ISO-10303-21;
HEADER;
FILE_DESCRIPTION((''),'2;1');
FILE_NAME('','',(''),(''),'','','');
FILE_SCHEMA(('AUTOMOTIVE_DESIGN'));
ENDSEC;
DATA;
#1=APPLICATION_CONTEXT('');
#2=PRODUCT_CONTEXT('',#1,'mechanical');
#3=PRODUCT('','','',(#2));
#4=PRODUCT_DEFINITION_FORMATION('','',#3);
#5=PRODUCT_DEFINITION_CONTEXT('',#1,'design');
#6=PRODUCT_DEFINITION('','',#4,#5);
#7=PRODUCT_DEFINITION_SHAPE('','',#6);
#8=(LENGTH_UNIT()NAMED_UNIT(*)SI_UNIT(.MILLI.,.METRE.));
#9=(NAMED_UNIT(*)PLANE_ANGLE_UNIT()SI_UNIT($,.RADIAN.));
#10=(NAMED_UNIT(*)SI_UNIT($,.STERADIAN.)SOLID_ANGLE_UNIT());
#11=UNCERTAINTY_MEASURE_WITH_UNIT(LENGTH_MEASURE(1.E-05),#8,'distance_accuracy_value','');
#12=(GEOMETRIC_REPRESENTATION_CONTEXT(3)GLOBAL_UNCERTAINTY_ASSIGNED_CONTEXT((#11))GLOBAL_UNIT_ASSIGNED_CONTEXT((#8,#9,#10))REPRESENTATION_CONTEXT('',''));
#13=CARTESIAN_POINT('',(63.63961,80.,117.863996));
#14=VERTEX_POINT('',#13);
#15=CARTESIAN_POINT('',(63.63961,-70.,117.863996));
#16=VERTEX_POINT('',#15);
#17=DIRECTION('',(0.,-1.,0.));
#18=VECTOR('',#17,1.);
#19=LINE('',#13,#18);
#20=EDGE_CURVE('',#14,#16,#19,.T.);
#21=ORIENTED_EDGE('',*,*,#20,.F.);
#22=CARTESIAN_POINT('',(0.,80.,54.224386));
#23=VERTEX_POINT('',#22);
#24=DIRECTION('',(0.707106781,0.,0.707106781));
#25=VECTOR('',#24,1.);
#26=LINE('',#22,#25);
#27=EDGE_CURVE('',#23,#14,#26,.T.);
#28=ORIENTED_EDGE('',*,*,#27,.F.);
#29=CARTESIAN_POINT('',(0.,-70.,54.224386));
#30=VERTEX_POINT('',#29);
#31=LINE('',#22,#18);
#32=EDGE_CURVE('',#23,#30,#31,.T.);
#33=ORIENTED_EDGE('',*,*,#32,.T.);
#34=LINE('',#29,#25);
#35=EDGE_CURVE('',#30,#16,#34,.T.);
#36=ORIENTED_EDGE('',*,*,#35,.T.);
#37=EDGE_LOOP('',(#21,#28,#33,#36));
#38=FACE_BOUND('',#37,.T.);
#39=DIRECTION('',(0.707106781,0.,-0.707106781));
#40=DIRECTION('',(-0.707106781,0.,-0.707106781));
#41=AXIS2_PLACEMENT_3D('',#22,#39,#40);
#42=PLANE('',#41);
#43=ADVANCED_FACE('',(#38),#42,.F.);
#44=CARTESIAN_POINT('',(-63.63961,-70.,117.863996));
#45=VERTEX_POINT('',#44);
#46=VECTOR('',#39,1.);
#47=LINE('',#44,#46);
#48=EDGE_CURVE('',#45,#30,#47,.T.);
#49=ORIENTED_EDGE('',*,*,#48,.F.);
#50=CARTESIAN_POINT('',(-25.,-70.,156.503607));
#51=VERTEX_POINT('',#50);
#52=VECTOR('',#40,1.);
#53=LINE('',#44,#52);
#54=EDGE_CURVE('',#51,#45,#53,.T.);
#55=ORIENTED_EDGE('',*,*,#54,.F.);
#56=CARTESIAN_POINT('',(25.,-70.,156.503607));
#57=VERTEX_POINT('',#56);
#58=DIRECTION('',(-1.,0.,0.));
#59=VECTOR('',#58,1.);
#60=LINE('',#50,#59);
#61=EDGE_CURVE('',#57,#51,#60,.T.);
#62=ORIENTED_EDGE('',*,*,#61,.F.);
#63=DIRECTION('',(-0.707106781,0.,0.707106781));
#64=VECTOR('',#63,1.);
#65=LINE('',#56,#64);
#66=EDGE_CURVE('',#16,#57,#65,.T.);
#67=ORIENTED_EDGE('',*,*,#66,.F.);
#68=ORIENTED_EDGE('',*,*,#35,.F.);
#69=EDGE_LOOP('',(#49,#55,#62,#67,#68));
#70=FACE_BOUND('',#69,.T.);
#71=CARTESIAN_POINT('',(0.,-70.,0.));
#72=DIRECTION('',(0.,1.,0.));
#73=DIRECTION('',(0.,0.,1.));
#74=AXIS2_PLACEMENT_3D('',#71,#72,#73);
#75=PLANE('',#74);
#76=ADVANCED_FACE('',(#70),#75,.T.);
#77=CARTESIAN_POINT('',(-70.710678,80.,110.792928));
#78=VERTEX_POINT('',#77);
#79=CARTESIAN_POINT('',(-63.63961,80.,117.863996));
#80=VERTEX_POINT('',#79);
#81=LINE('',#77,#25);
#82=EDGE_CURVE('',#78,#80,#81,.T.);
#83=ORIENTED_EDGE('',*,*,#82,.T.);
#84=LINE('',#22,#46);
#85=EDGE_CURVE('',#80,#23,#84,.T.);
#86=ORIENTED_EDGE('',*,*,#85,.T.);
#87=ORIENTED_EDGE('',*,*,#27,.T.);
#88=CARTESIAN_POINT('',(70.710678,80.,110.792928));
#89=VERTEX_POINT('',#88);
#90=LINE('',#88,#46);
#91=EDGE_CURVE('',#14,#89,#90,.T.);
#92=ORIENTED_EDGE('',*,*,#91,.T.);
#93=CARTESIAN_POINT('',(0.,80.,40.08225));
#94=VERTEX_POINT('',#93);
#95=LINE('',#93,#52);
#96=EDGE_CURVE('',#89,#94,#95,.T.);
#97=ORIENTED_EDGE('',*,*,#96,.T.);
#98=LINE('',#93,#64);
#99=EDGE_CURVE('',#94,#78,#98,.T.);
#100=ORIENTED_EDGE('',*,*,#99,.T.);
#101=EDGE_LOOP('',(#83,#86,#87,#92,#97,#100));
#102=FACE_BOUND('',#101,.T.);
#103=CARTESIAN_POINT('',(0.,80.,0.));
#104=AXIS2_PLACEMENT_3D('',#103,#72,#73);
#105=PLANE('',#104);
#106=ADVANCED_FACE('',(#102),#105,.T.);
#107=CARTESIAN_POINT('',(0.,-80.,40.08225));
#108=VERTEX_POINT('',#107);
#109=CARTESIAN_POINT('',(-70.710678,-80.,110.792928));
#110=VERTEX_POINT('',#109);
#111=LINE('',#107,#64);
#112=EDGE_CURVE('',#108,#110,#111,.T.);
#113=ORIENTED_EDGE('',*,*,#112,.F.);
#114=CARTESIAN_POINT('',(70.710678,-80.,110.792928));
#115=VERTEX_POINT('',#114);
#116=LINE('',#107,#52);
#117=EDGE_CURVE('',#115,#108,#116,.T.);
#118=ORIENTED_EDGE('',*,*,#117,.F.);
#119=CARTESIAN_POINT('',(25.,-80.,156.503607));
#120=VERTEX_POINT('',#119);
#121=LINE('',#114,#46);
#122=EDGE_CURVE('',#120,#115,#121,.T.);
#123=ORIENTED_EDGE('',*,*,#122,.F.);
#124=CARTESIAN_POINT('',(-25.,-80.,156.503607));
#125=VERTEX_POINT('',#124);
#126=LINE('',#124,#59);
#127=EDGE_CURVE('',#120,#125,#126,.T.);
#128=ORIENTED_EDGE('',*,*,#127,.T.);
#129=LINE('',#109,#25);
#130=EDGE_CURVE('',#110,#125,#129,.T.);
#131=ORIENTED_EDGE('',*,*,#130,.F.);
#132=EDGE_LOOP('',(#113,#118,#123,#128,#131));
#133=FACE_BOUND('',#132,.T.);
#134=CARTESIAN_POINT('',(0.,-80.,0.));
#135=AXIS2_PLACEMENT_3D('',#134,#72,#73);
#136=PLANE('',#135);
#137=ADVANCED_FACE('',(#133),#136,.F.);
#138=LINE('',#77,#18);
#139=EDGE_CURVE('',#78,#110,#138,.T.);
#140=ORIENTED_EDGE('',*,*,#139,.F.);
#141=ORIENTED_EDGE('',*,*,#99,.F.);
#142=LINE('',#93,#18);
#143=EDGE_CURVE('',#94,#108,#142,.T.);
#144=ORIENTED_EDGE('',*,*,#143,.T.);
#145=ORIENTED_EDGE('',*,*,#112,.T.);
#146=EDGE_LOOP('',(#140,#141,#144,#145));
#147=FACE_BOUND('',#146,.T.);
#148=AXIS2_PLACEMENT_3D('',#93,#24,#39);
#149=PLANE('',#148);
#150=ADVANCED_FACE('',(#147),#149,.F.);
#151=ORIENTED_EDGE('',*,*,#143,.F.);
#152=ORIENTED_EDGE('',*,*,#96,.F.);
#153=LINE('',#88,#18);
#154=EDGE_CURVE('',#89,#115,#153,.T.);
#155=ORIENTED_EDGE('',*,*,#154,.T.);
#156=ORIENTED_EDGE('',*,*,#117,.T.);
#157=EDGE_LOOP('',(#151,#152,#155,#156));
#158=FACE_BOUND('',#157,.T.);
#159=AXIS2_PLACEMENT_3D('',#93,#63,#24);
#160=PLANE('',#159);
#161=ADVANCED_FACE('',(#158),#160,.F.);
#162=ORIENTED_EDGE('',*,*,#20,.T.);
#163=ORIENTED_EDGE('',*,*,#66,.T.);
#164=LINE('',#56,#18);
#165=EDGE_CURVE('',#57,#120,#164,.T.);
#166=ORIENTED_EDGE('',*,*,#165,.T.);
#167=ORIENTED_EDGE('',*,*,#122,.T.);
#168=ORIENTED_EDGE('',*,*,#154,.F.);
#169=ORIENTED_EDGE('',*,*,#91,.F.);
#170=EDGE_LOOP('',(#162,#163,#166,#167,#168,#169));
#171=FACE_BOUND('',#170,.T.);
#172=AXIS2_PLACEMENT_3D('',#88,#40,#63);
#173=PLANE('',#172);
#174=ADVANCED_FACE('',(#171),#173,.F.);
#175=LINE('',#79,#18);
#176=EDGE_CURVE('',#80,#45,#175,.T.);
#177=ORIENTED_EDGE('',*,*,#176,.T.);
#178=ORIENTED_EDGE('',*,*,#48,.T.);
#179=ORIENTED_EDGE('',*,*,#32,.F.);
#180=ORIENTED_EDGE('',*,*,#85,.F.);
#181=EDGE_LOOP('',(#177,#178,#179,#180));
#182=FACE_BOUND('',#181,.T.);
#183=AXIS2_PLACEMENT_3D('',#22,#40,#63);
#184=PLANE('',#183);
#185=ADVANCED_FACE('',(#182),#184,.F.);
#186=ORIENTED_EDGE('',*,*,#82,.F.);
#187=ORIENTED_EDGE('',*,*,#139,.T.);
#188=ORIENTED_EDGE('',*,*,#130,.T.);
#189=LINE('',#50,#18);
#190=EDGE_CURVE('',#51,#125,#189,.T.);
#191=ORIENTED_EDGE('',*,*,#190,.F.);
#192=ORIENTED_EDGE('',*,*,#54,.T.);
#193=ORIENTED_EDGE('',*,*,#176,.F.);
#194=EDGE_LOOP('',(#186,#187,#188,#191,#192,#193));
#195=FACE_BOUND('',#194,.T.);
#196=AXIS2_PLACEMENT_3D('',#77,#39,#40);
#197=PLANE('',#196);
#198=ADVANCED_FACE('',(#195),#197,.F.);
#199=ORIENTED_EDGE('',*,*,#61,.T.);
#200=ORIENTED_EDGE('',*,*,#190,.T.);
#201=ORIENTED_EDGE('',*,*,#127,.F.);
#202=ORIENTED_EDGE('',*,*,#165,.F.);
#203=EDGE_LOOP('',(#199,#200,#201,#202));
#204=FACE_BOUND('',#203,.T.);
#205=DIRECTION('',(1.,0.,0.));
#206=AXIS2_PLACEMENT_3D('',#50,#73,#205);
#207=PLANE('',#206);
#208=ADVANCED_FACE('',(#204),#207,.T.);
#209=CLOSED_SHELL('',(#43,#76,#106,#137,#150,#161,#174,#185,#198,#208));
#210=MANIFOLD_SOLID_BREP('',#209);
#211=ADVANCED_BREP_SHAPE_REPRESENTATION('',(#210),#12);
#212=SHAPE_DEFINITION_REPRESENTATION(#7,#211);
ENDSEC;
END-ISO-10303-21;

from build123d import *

# Parameters (mm, degrees)
BOSS_EXTRUDE1_DEPTH = 80
BOSS_EXTRUDE2_DEPTH = 10


with BuildPart() as part:
    # Sketch1 → Boss-Extrude1 (new, symmetric)
    with BuildSketch(Plane(origin=(0, 0, 0), x_dir=(1, 0, 0), z_dir=(0, 1, 0))):
        Polygon((0, -40.082250377), (70.710678119, -110.792928496), (63.639610307, -117.863996308), (0, -54.224386001), (-63.639610307, -117.863996308), (-70.710678119, -110.792928496), align=None)
    extrude(amount=BOSS_EXTRUDE1_DEPTH, both=True)

    # Sketch2 → Boss-Extrude2 (add)
    with BuildSketch(Plane.XZ.offset(80)):
        Polygon((-63.639610307, 117.863996308), (0, 54.224386001), (63.639610307, 117.863996308), (25, 156.503606614), (-25, 156.503606614), align=None)
    extrude(amount=-BOSS_EXTRUDE2_DEPTH)


solid = part.part
